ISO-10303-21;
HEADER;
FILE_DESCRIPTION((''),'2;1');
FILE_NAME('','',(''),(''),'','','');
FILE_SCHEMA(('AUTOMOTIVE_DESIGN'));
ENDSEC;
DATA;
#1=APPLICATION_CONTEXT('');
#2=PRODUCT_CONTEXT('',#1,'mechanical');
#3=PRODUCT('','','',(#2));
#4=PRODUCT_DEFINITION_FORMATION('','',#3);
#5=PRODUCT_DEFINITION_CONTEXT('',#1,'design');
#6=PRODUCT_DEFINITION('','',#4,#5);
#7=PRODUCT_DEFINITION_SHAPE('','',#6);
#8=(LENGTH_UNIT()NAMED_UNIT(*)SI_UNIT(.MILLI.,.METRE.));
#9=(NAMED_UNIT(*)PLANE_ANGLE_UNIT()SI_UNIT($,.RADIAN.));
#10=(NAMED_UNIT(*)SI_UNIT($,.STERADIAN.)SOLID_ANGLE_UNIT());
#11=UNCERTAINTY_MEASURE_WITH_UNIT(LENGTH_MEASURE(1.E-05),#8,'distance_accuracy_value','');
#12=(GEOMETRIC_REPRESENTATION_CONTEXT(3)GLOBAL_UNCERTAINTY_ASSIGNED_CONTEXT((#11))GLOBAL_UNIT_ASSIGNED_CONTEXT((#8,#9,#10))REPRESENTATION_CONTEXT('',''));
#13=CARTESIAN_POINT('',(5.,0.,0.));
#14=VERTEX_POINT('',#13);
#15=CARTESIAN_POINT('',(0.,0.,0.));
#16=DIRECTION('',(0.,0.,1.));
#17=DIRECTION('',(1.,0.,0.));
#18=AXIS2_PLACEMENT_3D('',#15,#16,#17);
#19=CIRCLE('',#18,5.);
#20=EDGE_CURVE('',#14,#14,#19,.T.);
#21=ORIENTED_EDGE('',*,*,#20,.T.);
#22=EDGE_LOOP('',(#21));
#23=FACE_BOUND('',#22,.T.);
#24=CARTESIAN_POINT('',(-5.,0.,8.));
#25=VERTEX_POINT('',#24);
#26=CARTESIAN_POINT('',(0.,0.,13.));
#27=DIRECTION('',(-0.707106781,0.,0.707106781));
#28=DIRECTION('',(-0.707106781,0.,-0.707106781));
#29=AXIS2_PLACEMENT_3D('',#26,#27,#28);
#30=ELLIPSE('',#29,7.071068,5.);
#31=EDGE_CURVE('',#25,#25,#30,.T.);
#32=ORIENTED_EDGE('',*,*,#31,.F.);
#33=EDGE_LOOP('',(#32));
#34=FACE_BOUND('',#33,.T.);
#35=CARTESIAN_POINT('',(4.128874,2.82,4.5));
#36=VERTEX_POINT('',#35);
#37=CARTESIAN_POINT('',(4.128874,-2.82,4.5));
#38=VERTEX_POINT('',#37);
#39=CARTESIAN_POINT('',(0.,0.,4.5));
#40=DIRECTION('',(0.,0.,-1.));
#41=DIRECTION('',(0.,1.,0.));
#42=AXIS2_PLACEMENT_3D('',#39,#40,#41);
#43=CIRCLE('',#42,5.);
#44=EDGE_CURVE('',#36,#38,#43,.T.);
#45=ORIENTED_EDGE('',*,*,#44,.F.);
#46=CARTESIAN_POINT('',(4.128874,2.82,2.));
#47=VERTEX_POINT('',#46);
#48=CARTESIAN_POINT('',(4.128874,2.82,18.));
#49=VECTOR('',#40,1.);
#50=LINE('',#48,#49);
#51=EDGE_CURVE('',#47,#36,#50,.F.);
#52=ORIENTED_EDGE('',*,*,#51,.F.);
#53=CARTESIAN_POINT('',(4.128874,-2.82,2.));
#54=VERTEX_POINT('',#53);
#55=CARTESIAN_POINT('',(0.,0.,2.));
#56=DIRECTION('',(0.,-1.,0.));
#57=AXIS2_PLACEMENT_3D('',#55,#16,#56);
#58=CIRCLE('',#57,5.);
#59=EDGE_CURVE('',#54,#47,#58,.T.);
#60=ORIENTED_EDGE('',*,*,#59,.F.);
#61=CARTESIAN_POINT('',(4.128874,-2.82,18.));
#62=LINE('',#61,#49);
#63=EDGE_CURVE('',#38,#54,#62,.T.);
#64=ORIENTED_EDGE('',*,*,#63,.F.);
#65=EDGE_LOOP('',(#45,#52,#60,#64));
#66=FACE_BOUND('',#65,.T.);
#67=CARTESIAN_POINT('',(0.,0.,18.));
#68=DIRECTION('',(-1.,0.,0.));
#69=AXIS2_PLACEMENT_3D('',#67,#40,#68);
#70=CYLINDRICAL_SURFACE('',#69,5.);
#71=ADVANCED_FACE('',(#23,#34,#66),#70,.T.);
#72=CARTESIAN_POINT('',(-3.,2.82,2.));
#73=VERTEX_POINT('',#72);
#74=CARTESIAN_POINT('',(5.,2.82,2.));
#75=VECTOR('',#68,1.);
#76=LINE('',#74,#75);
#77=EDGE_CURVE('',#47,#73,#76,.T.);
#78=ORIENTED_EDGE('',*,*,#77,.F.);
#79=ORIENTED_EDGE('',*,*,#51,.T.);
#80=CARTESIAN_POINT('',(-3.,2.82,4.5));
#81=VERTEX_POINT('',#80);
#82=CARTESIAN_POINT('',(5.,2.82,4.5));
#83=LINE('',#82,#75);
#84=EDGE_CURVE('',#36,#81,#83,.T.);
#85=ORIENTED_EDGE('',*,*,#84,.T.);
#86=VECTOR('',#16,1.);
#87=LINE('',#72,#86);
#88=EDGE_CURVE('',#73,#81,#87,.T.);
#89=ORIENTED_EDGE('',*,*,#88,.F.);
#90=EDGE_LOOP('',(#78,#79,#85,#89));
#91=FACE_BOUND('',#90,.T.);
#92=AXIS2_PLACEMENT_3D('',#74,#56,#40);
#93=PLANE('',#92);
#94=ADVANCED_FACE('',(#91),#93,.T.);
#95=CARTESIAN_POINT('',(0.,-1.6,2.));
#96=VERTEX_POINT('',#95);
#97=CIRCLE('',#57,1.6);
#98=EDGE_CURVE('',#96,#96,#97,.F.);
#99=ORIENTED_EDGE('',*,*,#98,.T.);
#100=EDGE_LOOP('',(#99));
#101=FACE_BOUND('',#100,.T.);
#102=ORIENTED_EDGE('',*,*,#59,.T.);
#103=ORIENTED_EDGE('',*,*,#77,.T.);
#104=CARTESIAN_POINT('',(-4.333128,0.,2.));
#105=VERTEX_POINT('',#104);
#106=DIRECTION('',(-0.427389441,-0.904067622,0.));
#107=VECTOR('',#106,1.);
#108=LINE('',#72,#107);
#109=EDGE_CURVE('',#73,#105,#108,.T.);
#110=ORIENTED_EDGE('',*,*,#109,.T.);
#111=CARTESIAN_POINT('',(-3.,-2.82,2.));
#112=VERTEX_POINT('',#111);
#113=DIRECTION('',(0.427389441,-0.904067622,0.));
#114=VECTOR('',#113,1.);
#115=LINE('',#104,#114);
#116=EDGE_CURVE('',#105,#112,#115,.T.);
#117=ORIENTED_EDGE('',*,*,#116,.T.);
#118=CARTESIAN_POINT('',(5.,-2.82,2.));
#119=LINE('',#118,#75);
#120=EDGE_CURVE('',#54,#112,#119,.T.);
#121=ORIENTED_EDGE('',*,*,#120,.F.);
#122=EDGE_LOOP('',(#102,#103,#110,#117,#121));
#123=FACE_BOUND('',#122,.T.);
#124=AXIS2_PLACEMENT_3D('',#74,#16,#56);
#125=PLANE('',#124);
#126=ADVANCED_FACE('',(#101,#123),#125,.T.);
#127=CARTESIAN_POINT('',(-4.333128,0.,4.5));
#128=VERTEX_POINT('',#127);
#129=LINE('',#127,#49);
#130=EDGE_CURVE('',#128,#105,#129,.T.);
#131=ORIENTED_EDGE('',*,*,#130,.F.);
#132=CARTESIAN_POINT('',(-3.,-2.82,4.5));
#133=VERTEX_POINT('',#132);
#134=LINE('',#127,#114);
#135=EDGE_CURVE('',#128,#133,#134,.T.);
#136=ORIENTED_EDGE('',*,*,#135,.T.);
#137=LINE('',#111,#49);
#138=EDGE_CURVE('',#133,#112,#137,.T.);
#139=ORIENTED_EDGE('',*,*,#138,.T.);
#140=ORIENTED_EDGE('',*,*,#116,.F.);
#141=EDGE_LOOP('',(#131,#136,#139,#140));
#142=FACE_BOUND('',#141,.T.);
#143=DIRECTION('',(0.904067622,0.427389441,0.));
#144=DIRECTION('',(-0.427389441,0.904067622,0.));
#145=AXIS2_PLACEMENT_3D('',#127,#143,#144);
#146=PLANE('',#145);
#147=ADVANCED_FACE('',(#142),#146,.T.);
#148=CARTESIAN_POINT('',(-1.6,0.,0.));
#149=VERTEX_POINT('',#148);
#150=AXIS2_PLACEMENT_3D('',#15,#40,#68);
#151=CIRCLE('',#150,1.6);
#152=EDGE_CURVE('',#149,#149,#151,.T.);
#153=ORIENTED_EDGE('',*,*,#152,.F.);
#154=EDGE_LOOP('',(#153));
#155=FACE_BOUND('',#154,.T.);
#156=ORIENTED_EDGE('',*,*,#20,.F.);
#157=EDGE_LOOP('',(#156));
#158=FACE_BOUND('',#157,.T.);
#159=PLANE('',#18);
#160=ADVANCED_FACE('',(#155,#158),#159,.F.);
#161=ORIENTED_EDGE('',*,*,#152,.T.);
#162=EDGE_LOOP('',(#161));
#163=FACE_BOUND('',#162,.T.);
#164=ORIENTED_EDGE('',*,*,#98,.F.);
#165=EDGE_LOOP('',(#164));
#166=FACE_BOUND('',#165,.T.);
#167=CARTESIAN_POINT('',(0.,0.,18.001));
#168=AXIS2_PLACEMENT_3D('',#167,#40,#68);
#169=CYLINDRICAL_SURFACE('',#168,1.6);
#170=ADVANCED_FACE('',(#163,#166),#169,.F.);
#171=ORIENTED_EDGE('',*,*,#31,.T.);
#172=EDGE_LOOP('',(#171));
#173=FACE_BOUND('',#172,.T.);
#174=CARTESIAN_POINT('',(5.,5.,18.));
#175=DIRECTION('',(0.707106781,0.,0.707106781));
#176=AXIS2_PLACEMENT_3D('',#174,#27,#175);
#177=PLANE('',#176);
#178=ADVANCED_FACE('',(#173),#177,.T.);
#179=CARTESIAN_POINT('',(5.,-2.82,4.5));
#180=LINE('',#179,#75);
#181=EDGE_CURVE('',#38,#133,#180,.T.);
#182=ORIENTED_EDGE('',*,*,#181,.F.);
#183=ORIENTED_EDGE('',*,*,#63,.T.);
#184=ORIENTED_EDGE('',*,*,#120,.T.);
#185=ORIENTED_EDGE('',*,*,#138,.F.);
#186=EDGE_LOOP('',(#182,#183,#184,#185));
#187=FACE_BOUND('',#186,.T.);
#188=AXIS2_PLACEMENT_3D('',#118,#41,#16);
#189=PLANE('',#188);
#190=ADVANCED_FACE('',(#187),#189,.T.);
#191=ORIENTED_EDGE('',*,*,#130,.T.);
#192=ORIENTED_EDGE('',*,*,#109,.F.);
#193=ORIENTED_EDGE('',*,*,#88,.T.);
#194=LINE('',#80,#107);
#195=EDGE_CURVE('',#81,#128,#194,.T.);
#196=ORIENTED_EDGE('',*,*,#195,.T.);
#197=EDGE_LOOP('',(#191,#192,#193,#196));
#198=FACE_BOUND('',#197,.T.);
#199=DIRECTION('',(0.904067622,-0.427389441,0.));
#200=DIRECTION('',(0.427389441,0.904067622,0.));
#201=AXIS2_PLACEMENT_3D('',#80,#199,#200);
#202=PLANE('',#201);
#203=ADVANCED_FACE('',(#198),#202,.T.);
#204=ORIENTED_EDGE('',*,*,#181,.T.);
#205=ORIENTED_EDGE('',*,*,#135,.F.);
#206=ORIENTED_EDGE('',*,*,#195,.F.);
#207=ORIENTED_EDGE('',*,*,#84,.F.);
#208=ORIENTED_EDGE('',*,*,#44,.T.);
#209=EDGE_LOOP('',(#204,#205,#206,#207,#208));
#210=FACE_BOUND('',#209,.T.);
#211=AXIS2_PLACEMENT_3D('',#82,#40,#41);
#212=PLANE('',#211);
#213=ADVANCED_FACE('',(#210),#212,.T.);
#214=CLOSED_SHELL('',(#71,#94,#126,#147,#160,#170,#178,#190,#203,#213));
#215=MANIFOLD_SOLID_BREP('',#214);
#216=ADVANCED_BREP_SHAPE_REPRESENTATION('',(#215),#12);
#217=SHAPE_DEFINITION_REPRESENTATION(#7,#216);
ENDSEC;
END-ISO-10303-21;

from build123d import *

# Parameters (mm, degrees)
SZKIC1_R                        = 5
DODANIE_WYCI_GNI_CIE1_DEPTH     = 18
WYTNIJ_WYCI_GNI_CIE1_DEPTH      = 5
WYTNIJ_WYCI_GNI_CIE1_DEPTH_BACK = 5
WYTNIJ_WYCI_GNI_CIE2_DEPTH      = 5
WYTNIJ_WYCI_GNI_CIE2_DEPTH_BACK = 3
SZKIC3_W                        = 2.5
SZKIC3_H                        = 5.64
WYTNIJ_WYCI_GNI_CIE3_REACH      = 21.339
SZKIC4_R                        = 1.6
WYTNIJ_WYCI_GNI_CIE4_DEPTH      = 2.5


with BuildPart() as part:
    # Szkic1 → Dodanie-wyciągnięcie1 (new body)
    with BuildSketch(Plane.XY):
        Circle(SZKIC1_R)
    extrude(amount=DODANIE_WYCI_GNI_CIE1_DEPTH)

    # Szkic2 → Wytnij-wyciągnięcie1 (cut, two sides: drawn at the far end of the back side and taken through both)
    with BuildSketch(Plane(origin=(0, 0, 0), x_dir=(1, 0, 0), z_dir=(0, 1, 0)).offset(-WYTNIJ_WYCI_GNI_CIE1_DEPTH_BACK)):
        Polygon((-5, -18), (5, -18), (-5, -8), align=None)
    extrude(amount=WYTNIJ_WYCI_GNI_CIE1_DEPTH + WYTNIJ_WYCI_GNI_CIE1_DEPTH_BACK, mode=Mode.SUBTRACT)

    # Szkic3 → Wytnij-wyciągnięcie2 (cut, two sides: drawn at the far end of the back side and taken through both)
    with BuildSketch(Plane(origin=(0, 0, 0), x_dir=(0, 0, -1), z_dir=(1, 0, 0)).offset(-WYTNIJ_WYCI_GNI_CIE2_DEPTH_BACK)):
        with Locations((-3.25, 0)):
            Rectangle(SZKIC3_W, SZKIC3_H)
    extrude(amount=WYTNIJ_WYCI_GNI_CIE2_DEPTH + WYTNIJ_WYCI_GNI_CIE2_DEPTH_BACK, mode=Mode.SUBTRACT)

    # Szkic4 → Wytnij-wyciągnięcie3 (cut, up to next)
    with BuildSketch(Plane(origin=(0, 0, 0), x_dir=(-1, 0, 0), z_dir=(0, 0, -1)), mode=Mode.PRIVATE) as wytnij_wyci_gni_cie3_sk1:
        Circle(SZKIC4_R)
    wytnij_wyci_gni_cie3_tool1 = extrude(wytnij_wyci_gni_cie3_sk1.sketch, amount=-WYTNIJ_WYCI_GNI_CIE3_REACH, mode=Mode.PRIVATE) & part.part
    add(wytnij_wyci_gni_cie3_tool1.solids().sort_by_distance((0, 0, 0))[0], mode=Mode.SUBTRACT)

    # Szkic5 → Wytnij-wyciągnięcie4 (cut)
    with BuildSketch(Plane.XY.offset(2)):
        Polygon((-3, -2.82), (-3, 2.82), (-4.333128401, 0), align=None)
    extrude(amount=WYTNIJ_WYCI_GNI_CIE4_DEPTH, mode=Mode.SUBTRACT)


solid = part.part
